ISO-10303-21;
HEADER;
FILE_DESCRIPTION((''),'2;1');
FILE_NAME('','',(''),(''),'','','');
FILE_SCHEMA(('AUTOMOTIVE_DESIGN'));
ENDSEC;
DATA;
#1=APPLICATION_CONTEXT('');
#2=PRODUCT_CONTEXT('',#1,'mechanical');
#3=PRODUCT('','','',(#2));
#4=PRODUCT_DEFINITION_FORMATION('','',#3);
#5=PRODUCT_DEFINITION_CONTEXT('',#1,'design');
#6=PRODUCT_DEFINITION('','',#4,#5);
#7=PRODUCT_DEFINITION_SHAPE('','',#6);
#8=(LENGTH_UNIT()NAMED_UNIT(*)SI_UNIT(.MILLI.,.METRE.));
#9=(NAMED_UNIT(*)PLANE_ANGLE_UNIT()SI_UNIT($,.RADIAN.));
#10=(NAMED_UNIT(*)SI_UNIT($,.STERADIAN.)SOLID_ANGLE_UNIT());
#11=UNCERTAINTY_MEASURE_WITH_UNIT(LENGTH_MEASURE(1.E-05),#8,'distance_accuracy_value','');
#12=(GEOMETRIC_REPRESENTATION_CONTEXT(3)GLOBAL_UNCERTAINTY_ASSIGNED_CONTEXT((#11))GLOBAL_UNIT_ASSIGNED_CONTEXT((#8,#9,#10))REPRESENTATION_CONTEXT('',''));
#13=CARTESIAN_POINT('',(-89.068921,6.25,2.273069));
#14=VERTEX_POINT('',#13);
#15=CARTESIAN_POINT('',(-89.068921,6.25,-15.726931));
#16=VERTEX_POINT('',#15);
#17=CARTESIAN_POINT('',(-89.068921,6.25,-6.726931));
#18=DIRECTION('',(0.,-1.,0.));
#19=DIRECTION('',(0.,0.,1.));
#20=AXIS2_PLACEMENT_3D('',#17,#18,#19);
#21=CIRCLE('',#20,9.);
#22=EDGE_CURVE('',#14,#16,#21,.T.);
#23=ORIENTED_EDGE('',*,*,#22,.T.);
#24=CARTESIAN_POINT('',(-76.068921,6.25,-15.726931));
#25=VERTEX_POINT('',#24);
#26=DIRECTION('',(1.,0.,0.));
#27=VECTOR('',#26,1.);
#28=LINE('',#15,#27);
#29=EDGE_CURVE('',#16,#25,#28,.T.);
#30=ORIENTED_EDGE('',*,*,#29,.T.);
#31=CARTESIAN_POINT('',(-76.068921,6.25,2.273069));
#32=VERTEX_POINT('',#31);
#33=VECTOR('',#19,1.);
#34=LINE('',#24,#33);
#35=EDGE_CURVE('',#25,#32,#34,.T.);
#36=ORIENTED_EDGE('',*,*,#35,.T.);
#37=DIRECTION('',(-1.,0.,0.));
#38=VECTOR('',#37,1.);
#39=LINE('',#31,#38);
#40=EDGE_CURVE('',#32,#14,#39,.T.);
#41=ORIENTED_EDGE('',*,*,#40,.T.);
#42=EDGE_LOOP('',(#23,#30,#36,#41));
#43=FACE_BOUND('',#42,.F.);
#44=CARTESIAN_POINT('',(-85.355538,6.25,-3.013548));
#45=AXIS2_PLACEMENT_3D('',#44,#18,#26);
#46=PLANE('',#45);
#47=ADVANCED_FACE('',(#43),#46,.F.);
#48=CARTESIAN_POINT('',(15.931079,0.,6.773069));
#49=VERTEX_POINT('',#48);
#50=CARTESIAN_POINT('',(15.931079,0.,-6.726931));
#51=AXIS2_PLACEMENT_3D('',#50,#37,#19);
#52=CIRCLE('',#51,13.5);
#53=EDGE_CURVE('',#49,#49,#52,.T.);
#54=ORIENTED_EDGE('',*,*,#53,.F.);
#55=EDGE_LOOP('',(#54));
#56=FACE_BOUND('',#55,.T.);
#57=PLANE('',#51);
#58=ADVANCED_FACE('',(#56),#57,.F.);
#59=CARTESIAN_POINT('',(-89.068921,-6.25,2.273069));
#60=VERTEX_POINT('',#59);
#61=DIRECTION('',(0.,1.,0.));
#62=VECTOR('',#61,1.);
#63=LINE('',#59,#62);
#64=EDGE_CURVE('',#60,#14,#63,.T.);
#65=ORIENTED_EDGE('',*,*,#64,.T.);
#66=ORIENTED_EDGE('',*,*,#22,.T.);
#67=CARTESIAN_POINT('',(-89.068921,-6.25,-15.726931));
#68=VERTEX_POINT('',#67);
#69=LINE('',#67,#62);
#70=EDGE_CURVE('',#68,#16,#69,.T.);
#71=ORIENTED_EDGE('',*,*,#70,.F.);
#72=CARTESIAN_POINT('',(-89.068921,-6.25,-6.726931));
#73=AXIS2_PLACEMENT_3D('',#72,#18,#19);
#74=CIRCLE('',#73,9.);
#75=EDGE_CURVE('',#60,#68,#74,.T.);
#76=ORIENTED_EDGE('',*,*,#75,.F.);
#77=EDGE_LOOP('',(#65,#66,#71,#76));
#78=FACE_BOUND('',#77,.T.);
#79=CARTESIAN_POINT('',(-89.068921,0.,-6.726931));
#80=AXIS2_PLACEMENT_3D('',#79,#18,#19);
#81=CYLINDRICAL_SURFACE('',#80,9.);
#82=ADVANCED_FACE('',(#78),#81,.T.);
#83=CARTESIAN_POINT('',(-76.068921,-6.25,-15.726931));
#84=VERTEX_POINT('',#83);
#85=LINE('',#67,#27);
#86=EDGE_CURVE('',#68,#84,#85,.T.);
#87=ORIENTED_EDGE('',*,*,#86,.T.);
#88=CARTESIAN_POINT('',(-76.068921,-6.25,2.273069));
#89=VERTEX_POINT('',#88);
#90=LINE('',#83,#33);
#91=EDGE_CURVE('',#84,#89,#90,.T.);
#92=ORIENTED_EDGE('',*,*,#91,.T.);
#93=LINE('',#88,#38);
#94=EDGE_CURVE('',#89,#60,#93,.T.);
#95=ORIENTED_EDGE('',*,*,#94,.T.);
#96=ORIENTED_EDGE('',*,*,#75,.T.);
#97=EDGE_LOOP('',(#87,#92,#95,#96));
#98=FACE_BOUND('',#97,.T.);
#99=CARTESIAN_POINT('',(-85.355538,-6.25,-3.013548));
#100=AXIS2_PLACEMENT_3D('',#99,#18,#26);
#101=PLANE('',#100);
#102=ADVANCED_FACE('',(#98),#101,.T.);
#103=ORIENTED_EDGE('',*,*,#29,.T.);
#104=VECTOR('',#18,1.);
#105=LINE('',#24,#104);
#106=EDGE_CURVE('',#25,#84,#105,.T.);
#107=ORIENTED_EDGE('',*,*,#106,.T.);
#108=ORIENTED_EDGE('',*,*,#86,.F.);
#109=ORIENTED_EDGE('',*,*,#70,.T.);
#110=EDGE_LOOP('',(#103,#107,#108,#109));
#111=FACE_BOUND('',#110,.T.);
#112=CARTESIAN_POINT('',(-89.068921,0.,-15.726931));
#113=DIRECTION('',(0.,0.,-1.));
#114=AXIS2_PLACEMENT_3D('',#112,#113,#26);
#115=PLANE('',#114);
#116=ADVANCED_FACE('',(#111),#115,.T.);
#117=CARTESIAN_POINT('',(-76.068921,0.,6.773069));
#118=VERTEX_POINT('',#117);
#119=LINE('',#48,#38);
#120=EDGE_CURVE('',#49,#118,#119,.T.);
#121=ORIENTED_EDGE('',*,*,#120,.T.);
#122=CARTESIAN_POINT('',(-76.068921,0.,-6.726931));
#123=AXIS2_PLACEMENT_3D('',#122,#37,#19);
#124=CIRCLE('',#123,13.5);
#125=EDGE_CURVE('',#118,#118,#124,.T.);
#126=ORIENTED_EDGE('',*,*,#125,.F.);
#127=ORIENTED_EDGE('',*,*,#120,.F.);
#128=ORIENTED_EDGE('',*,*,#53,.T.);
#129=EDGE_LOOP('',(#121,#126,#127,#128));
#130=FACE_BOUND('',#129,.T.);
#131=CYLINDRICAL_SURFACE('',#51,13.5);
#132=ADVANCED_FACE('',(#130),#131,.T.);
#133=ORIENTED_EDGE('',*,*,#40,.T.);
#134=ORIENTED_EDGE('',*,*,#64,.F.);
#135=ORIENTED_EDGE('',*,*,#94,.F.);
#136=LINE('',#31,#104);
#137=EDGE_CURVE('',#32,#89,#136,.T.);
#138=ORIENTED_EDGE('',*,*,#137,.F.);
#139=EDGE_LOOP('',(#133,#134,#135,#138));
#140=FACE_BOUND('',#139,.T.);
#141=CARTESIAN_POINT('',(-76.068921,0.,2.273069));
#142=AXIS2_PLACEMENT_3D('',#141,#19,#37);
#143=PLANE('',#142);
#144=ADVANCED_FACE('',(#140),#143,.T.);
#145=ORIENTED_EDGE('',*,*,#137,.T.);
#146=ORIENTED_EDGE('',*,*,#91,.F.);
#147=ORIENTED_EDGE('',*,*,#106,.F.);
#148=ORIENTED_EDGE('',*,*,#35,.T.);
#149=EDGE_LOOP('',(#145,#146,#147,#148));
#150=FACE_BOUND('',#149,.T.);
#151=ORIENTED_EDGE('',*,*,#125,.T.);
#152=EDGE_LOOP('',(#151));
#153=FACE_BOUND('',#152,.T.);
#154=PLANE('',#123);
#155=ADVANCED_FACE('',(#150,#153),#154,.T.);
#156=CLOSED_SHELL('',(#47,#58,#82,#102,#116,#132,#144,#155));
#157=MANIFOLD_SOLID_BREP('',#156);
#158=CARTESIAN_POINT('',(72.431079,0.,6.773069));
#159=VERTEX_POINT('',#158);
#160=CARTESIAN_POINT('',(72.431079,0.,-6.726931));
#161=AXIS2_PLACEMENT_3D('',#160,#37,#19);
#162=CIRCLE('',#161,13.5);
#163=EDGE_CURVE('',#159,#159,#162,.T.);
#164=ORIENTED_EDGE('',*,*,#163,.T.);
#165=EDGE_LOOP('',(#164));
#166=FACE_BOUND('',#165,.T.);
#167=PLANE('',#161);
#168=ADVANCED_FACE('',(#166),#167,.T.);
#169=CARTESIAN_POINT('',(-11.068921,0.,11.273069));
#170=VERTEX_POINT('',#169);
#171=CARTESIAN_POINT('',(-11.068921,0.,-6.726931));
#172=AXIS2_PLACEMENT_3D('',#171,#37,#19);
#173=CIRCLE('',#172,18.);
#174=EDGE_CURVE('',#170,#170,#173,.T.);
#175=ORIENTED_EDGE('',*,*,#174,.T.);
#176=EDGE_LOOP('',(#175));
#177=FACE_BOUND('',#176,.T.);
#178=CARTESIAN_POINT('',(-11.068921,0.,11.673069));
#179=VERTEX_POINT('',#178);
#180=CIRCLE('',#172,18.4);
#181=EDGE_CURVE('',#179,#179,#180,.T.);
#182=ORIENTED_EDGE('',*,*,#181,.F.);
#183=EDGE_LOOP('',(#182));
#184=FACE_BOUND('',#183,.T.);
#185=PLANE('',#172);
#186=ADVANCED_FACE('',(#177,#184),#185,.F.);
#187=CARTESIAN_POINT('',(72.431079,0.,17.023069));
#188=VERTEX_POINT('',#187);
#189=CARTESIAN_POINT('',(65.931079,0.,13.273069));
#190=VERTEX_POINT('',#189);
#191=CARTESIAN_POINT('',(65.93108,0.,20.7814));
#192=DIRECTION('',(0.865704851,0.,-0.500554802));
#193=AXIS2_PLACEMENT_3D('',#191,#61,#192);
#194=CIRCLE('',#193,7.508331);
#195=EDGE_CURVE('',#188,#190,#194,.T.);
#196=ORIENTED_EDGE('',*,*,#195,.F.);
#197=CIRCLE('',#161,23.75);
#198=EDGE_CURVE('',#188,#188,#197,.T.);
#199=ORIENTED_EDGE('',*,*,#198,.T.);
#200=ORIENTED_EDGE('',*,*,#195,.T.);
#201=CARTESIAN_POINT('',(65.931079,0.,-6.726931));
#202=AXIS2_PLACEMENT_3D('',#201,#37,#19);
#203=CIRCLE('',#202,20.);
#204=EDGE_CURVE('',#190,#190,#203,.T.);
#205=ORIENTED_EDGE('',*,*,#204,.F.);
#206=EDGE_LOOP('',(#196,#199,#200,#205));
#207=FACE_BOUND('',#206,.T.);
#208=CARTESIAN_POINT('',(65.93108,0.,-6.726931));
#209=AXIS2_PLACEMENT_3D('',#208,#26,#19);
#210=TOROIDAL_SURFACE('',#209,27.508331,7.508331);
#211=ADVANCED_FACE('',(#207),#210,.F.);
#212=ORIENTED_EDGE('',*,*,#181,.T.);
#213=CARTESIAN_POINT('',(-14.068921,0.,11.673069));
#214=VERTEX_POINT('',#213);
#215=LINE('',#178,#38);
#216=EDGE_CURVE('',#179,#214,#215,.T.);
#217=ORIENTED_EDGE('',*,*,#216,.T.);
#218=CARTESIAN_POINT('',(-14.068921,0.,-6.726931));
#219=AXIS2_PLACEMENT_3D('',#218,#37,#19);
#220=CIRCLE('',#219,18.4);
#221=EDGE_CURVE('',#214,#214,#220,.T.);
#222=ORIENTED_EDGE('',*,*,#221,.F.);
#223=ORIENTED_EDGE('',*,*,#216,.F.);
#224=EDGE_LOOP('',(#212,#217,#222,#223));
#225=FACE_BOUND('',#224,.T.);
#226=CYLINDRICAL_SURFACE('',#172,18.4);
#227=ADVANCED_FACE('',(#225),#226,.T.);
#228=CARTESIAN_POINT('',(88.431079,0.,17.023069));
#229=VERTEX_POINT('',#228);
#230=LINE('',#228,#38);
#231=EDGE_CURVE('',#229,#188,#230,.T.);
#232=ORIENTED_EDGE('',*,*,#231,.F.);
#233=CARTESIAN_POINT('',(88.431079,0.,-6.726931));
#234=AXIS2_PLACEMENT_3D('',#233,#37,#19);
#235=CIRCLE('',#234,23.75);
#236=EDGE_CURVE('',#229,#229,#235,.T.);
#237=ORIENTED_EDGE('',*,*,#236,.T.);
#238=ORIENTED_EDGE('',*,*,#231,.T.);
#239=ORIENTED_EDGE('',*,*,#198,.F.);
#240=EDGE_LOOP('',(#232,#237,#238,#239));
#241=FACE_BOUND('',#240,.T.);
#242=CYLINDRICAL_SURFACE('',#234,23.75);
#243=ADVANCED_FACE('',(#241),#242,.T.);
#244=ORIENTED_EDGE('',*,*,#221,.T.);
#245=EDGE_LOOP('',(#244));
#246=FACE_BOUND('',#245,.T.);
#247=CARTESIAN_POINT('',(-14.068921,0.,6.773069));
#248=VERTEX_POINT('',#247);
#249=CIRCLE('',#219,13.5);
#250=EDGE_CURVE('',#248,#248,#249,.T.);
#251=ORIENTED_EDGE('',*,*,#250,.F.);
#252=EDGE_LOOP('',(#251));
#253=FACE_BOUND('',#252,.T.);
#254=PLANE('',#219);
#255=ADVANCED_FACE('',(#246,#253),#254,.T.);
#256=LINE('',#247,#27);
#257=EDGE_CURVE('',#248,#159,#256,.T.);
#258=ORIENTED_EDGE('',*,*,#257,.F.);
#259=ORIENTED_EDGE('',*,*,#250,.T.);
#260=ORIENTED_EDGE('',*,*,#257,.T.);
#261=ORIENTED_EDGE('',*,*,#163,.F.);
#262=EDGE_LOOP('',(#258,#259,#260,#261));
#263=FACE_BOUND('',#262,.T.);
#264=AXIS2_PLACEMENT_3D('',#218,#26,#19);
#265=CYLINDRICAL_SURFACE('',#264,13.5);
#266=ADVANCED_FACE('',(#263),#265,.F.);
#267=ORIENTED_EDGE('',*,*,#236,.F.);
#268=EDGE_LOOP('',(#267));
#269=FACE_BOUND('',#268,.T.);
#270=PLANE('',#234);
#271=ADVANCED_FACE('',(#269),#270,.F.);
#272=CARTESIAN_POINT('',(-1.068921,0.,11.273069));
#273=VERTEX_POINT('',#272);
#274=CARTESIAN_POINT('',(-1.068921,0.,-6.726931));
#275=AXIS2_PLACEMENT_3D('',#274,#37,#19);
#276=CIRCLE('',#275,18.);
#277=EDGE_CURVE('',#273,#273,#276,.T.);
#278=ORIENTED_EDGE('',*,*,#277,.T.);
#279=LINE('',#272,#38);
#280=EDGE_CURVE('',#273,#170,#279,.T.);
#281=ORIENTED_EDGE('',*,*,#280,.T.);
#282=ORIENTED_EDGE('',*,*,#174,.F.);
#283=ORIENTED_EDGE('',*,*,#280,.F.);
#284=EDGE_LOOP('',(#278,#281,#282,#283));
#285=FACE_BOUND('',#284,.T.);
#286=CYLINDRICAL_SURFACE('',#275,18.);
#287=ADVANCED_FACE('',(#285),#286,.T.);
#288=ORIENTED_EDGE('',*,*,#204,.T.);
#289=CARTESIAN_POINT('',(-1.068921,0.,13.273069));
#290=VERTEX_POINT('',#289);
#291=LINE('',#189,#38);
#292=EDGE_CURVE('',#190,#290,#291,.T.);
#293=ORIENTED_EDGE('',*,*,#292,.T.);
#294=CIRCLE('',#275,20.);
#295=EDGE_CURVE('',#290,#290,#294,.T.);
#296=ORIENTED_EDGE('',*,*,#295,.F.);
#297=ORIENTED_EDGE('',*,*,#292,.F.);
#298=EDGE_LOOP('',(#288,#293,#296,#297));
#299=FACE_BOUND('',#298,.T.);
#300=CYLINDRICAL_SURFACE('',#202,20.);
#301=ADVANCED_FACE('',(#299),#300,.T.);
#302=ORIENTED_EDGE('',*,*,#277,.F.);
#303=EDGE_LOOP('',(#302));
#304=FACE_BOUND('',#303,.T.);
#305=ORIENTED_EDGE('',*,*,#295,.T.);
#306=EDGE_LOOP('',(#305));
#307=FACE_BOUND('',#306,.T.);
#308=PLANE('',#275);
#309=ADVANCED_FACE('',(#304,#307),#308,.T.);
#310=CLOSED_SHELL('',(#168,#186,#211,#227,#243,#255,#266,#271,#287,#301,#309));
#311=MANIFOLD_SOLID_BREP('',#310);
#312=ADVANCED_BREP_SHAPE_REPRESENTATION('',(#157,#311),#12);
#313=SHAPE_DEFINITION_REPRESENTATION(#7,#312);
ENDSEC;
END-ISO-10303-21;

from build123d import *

# Parameters (mm, degrees)
F0_W     = 30
F0_H     = 13.5
F3_DEPTH = 6.25


with BuildPart() as f1:
    # F0 (on Front) → F1 (revolve)
    with BuildSketch(Plane.XZ):
        with BuildLine():
            Line((-14.068921, 11.673069), (-14.068921, 6.773069))
            Line((-14.068921, 6.773069), (15.931079, 6.773069))
            Line((15.931079, 6.773069), (72.431079, 6.773069))
            Line((72.431079, 6.773069), (72.431079, -6.726931))
            Line((72.431079, -6.726931), (88.431079, -6.726931))
            Line((88.431079, -6.726931), (88.431079, 11.273069))
            Line((88.431079, 11.273069), (88.431079, 17.023069))
            Line((88.431079, 17.023069), (72.431079, 17.023069))
            ThreePointArc((72.431079, 17.023069), (69.683162, 14.277792), (65.931079, 13.273069))
            Line((65.931079, 13.273069), (-1.068921, 13.273069))
            Line((-1.068921, 13.273069), (-1.068921, 11.273069))
            Line((-1.068921, 11.273069), (-11.068921, 11.273069))
            Line((-11.068921, 11.273069), (-11.068921, 11.673069))
            Line((-11.068921, 11.673069), (-14.068921, 11.673069))
        make_face()
    revolve(axis=Axis((-45.068921, 0, -6.726931), (-1, 0, 0)))


with BuildPart() as f2:
    # F0 (on Front) → F2 (revolve)
    with BuildSketch(Plane.XZ):
        Polygon((-76.068921, 2.273069), (-76.068921, -6.726931), (-14.068921, -6.726931), (-14.068921, 6.773069), (-76.068921, 6.773069), align=None)
        with Locations((0.931079, 0.023069)):
            Rectangle(F0_W, F0_H)
    revolve(axis=Axis((-45.068921, 0, -6.726931), (-1, 0, 0)))

    # F0 (on Front) → F3 (join, symmetric)
    with BuildSketch(Plane.XZ):
        with BuildLine():
            Line((-89.068921, -6.726931), (-80.068921, -6.726931))
            ThreePointArc((-80.068921, -6.726931), (-82.70496, -0.36297), (-89.068921, 2.273069))
            Line((-89.068921, 2.273069), (-89.068921, -6.726931))
        make_face()
        with BuildLine():
            ThreePointArc((-89.068921, 2.273069), (-82.70496, -0.36297), (-80.068921, -6.726931))
            Line((-80.068921, -6.726931), (-76.068921, -6.726931))
            Line((-76.068921, -6.726931), (-76.068921, 2.273069))
            Line((-76.068921, 2.273069), (-89.068921, 2.273069))
        make_face()
        with BuildLine():
            Line((-76.068921, -6.726931), (-80.068921, -6.726931))
            ThreePointArc((-80.068921, -6.726931), (-82.70496, -13.090892), (-89.068921, -15.726931))
            Line((-89.068921, -15.726931), (-76.068921, -15.726931))
            Line((-76.068921, -15.726931), (-76.068921, -6.726931))
        make_face()
        with BuildLine():
            ThreePointArc((-89.068921, -15.726931), (-82.70496, -13.090892), (-80.068921, -6.726931))
            Line((-80.068921, -6.726931), (-89.068921, -6.726931))
            Line((-89.068921, -6.726931), (-89.068921, -15.726931))
        make_face()
        with BuildLine():
            Line((-89.068921, -6.726931), (-89.068921, 2.273069))
            ThreePointArc((-89.068921, 2.273069), (-98.068921, -6.726931), (-89.068921, -15.726931))
            Line((-89.068921, -15.726931), (-89.068921, -6.726931))
        make_face()
    extrude(amount=F3_DEPTH, both=True)


solid = Compound([f1.part, f2.part])
